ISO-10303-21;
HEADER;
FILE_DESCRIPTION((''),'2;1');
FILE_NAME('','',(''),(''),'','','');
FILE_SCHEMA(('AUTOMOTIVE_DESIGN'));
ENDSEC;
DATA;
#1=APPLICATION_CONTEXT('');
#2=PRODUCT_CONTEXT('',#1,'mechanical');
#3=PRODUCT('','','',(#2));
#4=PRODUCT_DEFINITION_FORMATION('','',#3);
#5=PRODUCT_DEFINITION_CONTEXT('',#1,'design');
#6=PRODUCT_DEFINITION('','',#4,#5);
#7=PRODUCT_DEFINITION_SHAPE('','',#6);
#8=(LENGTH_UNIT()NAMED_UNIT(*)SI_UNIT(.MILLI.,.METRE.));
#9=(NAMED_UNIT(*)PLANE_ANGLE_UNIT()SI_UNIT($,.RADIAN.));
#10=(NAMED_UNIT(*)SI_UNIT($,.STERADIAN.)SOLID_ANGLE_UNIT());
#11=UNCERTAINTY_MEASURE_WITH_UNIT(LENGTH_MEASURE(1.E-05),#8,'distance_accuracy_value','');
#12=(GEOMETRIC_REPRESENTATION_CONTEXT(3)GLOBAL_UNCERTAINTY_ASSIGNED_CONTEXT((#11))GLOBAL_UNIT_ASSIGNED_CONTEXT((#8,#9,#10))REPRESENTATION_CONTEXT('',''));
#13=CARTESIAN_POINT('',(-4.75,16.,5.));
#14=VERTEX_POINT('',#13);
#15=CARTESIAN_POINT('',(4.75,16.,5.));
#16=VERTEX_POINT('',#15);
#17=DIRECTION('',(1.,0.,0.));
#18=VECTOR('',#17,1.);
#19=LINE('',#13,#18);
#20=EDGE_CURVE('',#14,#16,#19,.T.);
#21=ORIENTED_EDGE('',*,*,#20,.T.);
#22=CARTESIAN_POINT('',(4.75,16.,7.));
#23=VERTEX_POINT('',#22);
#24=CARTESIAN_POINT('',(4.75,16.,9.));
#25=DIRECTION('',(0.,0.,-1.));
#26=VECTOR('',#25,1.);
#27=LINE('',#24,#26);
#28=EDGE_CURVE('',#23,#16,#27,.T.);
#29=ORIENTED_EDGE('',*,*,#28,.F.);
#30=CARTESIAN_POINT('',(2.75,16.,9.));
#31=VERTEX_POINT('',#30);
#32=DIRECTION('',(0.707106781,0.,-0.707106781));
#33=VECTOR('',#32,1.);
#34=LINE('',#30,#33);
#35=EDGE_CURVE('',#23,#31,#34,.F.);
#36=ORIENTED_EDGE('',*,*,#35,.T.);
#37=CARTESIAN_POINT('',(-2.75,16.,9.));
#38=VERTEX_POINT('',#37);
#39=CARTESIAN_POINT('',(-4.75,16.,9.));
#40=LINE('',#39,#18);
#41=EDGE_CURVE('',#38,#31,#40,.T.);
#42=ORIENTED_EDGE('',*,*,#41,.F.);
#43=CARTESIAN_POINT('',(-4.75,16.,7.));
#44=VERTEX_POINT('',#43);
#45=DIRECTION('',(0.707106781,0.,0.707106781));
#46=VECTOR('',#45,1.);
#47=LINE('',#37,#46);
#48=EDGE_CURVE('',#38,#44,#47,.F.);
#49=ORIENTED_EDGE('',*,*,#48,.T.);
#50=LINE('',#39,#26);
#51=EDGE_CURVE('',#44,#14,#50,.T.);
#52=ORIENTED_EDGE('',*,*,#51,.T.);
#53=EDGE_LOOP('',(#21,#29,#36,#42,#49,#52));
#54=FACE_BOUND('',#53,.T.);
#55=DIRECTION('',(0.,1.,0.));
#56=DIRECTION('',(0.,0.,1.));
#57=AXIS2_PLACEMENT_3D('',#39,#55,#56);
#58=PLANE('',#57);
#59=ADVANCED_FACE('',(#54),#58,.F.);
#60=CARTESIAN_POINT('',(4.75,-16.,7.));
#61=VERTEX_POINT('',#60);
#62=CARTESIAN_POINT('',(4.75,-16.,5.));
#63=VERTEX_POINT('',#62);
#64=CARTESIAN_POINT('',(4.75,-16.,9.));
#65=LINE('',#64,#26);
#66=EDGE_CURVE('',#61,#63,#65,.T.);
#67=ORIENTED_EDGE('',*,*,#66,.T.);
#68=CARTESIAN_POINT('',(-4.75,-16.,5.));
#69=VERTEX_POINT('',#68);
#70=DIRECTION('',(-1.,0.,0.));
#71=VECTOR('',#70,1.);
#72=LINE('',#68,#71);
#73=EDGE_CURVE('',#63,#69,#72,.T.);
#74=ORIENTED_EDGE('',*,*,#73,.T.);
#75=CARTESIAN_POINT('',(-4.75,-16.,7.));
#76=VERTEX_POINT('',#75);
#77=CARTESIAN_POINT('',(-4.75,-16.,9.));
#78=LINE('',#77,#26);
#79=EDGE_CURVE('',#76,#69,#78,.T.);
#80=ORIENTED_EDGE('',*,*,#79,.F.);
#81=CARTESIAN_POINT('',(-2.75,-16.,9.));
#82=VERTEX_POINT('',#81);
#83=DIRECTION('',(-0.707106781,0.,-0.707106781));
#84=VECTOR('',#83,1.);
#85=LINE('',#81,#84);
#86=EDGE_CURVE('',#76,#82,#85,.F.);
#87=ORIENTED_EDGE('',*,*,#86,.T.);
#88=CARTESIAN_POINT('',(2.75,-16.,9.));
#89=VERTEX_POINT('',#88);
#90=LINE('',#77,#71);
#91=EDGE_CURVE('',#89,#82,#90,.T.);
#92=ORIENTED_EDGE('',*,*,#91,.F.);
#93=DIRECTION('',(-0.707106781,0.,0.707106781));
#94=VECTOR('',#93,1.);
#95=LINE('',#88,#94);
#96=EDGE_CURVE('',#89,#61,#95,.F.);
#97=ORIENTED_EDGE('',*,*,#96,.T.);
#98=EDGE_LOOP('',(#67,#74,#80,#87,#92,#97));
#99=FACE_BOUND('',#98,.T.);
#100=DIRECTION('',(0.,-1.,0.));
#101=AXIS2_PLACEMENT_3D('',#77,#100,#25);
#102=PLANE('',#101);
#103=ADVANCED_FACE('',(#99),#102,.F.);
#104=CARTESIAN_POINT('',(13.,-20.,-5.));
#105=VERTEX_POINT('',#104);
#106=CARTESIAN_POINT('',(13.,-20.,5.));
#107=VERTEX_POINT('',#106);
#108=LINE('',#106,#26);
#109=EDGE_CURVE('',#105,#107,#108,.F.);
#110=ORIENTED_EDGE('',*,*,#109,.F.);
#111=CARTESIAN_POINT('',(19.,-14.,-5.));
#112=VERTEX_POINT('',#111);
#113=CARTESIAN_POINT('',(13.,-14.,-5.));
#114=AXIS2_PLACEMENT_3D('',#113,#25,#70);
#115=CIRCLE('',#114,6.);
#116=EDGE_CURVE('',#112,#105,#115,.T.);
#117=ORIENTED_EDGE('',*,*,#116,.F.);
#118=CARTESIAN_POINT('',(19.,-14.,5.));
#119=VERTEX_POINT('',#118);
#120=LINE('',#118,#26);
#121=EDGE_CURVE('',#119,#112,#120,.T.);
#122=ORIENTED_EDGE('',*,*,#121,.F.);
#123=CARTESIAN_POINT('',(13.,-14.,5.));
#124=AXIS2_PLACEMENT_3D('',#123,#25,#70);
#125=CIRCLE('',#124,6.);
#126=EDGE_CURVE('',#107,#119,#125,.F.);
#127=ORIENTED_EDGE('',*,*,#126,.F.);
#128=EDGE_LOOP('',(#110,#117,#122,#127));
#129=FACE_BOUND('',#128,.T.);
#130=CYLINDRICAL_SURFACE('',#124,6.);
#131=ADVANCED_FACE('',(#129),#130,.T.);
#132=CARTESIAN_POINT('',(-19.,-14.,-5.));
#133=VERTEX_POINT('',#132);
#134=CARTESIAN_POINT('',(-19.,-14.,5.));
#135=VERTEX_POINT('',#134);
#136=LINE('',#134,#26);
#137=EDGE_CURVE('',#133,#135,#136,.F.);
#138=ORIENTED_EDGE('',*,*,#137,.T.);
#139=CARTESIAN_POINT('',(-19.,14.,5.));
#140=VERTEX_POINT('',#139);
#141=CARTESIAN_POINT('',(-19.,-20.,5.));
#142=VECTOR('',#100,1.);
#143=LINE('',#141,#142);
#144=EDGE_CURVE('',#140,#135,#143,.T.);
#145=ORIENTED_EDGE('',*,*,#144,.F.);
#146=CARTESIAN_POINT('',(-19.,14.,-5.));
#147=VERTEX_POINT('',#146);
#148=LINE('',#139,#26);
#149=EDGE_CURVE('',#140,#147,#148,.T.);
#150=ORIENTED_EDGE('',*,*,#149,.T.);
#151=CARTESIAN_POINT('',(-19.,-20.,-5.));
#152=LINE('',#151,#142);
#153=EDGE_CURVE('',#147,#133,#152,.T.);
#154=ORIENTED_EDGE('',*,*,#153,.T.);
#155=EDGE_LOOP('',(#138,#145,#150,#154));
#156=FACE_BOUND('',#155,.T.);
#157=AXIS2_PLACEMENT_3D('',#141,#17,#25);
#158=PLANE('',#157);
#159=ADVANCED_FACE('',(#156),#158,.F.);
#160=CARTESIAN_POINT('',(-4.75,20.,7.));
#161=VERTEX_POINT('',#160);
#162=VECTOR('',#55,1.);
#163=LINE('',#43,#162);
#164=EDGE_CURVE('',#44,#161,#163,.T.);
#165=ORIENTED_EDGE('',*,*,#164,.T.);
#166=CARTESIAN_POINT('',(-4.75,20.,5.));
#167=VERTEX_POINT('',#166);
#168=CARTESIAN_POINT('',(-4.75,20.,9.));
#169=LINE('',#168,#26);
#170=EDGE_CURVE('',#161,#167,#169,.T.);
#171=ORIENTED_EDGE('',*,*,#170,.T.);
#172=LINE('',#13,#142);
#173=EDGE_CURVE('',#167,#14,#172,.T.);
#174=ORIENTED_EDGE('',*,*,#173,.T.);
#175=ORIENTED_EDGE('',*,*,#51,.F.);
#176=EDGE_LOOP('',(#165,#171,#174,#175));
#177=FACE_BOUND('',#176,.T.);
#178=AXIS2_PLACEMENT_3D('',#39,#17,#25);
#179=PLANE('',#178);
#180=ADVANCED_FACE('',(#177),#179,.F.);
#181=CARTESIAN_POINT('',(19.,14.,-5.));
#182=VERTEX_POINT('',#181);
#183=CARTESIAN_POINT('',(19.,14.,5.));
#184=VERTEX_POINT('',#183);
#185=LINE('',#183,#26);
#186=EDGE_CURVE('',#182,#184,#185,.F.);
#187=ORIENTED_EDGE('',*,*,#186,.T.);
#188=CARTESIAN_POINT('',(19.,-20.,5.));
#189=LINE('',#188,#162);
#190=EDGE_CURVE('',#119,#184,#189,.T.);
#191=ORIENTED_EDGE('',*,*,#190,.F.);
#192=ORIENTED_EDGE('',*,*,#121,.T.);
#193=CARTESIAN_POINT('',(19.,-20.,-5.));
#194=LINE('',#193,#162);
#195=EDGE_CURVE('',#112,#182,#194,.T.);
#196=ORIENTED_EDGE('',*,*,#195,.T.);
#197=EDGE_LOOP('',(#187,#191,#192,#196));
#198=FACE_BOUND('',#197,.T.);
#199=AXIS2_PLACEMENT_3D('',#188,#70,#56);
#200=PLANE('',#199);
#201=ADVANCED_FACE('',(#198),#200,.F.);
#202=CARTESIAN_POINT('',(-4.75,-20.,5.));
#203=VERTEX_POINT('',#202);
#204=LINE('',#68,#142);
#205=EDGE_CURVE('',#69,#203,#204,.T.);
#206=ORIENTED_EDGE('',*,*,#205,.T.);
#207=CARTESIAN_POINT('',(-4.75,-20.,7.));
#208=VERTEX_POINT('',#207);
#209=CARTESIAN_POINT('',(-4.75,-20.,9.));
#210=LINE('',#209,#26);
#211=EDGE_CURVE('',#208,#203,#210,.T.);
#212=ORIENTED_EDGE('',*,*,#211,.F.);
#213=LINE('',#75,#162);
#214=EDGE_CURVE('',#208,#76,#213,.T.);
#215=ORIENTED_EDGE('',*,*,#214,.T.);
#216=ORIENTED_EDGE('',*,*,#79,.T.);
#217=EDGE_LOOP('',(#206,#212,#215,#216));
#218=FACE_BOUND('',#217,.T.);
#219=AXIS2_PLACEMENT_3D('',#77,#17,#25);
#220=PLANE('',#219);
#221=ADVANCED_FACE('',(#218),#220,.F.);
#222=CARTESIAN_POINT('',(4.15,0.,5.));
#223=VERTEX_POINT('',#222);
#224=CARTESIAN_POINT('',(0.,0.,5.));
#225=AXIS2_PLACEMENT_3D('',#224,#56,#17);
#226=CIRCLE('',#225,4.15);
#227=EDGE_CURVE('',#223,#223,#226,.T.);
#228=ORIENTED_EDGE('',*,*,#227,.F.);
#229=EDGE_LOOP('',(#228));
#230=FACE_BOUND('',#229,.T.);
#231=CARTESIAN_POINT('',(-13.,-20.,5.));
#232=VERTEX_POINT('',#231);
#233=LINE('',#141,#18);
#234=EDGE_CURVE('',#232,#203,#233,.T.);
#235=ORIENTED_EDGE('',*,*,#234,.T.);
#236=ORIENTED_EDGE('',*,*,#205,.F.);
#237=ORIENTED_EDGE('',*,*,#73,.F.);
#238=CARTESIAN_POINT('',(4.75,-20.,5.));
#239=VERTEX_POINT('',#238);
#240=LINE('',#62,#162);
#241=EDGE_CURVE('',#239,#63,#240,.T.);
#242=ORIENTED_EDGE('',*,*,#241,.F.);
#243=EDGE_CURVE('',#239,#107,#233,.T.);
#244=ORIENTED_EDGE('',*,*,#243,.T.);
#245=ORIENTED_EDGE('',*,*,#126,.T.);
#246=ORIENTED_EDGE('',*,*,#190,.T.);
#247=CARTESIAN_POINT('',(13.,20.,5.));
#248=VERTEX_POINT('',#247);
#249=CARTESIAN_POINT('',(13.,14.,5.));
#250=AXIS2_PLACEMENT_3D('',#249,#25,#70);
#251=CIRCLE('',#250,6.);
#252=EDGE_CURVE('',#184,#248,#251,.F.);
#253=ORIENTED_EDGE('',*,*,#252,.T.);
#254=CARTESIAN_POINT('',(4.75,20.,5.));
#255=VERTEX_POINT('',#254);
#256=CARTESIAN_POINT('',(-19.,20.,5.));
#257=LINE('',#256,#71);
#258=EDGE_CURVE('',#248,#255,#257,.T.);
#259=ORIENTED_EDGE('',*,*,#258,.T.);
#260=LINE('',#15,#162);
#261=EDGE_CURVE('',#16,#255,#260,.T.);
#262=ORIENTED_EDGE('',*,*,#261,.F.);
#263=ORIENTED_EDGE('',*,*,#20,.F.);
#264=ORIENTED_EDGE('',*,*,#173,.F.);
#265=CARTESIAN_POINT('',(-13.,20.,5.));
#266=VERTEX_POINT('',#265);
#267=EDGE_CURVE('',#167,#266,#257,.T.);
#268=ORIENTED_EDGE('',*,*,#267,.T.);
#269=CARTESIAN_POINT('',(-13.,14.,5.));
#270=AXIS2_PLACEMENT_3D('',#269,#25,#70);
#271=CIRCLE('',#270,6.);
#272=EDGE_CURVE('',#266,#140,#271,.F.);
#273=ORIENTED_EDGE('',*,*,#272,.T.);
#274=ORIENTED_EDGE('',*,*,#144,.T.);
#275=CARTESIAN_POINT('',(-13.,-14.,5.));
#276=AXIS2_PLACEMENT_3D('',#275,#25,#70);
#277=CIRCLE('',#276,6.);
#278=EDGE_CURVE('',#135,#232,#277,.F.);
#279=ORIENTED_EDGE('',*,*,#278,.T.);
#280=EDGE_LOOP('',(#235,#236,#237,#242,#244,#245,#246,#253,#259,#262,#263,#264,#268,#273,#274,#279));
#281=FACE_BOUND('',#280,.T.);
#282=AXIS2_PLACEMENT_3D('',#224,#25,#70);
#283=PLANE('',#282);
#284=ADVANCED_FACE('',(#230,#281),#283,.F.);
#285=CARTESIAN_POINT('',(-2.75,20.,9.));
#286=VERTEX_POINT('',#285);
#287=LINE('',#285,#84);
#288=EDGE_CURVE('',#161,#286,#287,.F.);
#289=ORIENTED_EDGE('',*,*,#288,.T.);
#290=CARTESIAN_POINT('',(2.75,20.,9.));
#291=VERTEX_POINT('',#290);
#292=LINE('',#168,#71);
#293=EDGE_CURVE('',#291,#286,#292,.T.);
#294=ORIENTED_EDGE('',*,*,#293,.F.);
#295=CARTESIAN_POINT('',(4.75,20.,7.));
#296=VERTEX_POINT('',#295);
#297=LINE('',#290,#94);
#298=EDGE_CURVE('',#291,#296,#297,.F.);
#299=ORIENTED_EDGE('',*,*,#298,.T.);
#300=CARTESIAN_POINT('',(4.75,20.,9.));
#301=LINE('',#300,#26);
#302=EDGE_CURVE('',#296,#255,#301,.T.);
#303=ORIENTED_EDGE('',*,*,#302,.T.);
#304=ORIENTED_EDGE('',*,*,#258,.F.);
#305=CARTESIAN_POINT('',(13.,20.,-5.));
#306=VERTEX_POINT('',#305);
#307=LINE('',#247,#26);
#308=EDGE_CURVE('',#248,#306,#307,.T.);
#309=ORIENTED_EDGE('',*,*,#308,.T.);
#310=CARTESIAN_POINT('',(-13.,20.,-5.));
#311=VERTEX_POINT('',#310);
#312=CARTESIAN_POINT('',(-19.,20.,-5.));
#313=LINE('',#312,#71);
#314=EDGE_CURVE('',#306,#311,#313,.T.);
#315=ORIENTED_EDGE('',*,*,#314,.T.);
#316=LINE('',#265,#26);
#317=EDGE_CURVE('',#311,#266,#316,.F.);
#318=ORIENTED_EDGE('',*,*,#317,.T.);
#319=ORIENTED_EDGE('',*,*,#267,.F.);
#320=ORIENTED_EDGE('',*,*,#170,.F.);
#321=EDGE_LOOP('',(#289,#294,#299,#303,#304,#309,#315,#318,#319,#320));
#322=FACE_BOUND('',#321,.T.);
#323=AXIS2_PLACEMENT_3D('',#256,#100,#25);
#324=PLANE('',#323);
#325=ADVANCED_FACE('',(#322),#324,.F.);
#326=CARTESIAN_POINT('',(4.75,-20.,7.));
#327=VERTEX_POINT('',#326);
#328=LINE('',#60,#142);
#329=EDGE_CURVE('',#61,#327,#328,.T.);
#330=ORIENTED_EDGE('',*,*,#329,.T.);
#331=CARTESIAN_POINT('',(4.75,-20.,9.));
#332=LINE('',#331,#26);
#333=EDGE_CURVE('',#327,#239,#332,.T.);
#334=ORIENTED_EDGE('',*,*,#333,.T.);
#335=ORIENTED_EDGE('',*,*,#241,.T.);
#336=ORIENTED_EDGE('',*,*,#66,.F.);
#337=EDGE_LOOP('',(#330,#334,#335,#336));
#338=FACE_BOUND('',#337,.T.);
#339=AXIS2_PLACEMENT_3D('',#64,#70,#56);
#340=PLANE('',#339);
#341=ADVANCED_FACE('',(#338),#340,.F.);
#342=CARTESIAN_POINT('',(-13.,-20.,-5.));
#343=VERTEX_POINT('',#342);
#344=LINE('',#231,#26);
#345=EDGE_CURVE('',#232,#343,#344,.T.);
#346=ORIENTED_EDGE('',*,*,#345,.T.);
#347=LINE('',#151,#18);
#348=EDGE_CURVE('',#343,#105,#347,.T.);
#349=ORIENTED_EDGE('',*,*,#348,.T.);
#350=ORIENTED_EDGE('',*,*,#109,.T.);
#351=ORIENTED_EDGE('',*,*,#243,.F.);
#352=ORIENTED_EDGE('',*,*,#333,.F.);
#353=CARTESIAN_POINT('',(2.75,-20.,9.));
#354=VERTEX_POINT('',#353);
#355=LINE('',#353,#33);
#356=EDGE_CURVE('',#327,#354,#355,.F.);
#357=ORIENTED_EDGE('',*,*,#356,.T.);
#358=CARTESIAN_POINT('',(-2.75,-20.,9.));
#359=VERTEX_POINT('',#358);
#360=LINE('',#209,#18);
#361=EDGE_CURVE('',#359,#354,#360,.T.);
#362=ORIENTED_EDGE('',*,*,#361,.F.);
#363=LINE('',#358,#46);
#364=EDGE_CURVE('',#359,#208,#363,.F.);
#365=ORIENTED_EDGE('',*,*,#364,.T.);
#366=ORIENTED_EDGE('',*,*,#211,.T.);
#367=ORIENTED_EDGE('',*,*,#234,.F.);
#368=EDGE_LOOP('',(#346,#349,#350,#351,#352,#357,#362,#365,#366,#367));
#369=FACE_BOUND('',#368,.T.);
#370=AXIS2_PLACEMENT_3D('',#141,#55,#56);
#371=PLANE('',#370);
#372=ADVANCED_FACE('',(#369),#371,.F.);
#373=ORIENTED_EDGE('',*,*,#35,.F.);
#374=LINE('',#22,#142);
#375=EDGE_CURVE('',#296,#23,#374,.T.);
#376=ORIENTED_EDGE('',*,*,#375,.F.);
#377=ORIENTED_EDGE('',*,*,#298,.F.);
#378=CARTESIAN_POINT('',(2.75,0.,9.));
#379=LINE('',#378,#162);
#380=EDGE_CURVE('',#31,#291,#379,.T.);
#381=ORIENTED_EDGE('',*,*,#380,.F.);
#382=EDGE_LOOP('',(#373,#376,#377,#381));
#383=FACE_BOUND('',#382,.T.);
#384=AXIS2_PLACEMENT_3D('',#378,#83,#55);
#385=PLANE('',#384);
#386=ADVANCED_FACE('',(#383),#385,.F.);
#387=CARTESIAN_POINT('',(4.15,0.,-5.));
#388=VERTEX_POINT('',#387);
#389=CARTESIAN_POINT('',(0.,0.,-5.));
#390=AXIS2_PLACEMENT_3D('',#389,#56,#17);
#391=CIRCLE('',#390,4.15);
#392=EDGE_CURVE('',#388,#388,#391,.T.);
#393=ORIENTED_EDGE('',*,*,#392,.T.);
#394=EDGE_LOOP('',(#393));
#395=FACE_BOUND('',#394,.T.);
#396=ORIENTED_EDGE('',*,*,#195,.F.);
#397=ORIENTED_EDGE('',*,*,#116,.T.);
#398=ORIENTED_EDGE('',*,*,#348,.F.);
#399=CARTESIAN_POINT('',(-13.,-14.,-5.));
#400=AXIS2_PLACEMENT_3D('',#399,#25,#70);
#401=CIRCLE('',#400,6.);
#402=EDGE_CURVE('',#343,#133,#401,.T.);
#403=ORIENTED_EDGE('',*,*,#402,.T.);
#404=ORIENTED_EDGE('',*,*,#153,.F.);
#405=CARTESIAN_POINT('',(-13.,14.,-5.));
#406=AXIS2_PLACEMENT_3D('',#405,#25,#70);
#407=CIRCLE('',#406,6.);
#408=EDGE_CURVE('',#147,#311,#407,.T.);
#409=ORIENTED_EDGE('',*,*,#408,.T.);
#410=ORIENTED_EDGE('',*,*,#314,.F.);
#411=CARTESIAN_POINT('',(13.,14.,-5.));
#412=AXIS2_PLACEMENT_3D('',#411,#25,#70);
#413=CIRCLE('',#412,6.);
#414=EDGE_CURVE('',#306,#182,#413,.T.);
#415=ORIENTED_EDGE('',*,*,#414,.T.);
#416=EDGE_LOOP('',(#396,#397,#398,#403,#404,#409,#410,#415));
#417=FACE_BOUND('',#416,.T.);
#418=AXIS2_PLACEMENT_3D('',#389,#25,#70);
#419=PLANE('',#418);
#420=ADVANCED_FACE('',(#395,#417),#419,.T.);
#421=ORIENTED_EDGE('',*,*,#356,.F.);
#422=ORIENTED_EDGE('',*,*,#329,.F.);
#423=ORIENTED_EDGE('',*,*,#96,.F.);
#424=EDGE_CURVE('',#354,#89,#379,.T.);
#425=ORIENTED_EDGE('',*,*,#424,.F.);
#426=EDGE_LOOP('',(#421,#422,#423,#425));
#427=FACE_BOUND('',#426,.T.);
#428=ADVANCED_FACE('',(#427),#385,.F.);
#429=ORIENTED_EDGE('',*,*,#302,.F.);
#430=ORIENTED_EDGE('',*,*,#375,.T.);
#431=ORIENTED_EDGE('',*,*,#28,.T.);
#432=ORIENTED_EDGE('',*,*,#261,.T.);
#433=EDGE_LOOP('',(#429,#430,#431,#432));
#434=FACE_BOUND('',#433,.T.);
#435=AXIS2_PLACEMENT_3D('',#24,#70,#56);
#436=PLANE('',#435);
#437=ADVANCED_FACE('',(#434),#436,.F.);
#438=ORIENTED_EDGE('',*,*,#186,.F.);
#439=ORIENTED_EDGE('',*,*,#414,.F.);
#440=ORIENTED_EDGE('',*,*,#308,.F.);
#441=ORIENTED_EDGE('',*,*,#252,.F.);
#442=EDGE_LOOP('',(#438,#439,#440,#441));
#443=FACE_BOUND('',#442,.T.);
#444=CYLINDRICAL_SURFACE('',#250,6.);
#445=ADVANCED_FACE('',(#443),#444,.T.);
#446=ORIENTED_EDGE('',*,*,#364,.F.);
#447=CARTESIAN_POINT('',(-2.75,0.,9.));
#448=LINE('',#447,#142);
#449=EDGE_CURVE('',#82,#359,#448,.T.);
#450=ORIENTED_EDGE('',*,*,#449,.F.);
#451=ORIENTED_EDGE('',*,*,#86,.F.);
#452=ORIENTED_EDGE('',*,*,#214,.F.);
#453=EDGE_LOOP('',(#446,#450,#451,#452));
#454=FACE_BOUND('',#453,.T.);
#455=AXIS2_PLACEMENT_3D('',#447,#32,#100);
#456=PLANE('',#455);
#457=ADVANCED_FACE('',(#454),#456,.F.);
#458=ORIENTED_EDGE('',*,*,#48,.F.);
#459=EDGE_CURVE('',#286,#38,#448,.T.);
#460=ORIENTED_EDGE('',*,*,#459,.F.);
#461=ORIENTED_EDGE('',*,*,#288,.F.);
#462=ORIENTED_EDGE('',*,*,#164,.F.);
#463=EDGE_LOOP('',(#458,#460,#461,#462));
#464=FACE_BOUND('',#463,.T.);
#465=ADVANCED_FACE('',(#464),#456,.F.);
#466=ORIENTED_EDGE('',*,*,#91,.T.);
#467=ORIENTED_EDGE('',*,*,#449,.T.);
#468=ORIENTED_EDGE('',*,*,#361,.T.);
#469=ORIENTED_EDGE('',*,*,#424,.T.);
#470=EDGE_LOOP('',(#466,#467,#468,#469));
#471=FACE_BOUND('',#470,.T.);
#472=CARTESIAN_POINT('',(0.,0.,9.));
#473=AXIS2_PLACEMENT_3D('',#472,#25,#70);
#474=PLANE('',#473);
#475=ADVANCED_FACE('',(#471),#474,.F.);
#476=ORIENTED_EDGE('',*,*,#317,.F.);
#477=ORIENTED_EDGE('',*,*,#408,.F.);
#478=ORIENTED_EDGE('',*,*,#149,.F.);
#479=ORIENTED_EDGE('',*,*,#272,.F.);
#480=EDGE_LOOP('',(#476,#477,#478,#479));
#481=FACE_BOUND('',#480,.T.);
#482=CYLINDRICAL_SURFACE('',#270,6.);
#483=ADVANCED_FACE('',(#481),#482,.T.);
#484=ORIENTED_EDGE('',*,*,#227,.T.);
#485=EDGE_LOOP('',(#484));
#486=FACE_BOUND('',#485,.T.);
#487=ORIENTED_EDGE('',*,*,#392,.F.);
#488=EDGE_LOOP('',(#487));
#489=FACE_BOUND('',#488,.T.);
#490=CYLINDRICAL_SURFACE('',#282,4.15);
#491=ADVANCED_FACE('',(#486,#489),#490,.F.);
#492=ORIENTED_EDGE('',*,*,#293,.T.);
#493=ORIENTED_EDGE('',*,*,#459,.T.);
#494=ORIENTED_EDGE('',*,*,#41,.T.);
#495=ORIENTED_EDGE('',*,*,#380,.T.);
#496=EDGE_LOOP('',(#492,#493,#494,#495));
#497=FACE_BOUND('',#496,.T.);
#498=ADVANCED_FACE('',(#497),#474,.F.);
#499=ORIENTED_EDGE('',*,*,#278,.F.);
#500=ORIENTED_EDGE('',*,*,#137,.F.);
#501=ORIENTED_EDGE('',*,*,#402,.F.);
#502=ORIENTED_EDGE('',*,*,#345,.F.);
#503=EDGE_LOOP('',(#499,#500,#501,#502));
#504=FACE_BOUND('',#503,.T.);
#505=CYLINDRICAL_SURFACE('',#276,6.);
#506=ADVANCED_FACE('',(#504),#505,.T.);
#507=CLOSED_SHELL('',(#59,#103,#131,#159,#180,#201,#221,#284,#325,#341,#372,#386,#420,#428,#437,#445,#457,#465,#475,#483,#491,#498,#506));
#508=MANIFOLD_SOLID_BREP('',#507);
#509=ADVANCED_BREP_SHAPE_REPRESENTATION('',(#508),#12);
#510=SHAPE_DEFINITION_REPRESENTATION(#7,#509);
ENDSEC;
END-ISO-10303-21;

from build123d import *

# Parameters (mm, degrees)
SKETCH1_W           = 38
SKETCH1_H           = 40
SKETCH1_R           = 4.15
BOSS_EXTRUDE1_DEPTH = 5
FILLET1_R           = 6
SKETCH2_W           = 9.5
SKETCH2_H           = 4
BOSS_EXTRUDE2_DEPTH = 4
CHAMFER1_SIZE       = 2


with BuildPart() as part:
    # Sketch1 → Boss-Extrude1 (new body, symmetric)
    with BuildSketch(Plane.XY):
        Rectangle(SKETCH1_W, SKETCH1_H)
        Circle(SKETCH1_R, mode=Mode.SUBTRACT)
    extrude(amount=BOSS_EXTRUDE1_DEPTH, both=True)

    # Fillet1
    fillet1_edges = [part.edges().sort_by_distance(p)[0] for p in [
        (19, -20, 0),
        (-19, -20, 0),
        (-19, 20, 0),
        (19, 20, 0),
    ]]
    fillet(fillet1_edges, radius=FILLET1_R)

    # Sketch2 → Boss-Extrude2 (add)
    with BuildSketch(Plane.XY.offset(5)):
        with Locations((0, 18)):
            Rectangle(SKETCH2_W, SKETCH2_H)
        with Locations((0, -18)):
            Rectangle(SKETCH2_W, SKETCH2_H)
    extrude(amount=BOSS_EXTRUDE2_DEPTH)

    # Chamfer1
    chamfer1_edges = [part.edges().sort_by_distance(p)[0] for p in [
        (4.75, 18, 9),
        (-4.75, 18, 9),
        (-4.75, -18, 9),
        (4.75, -18, 9),
    ]]
    chamfer(chamfer1_edges, length=CHAMFER1_SIZE)


solid = part.part
